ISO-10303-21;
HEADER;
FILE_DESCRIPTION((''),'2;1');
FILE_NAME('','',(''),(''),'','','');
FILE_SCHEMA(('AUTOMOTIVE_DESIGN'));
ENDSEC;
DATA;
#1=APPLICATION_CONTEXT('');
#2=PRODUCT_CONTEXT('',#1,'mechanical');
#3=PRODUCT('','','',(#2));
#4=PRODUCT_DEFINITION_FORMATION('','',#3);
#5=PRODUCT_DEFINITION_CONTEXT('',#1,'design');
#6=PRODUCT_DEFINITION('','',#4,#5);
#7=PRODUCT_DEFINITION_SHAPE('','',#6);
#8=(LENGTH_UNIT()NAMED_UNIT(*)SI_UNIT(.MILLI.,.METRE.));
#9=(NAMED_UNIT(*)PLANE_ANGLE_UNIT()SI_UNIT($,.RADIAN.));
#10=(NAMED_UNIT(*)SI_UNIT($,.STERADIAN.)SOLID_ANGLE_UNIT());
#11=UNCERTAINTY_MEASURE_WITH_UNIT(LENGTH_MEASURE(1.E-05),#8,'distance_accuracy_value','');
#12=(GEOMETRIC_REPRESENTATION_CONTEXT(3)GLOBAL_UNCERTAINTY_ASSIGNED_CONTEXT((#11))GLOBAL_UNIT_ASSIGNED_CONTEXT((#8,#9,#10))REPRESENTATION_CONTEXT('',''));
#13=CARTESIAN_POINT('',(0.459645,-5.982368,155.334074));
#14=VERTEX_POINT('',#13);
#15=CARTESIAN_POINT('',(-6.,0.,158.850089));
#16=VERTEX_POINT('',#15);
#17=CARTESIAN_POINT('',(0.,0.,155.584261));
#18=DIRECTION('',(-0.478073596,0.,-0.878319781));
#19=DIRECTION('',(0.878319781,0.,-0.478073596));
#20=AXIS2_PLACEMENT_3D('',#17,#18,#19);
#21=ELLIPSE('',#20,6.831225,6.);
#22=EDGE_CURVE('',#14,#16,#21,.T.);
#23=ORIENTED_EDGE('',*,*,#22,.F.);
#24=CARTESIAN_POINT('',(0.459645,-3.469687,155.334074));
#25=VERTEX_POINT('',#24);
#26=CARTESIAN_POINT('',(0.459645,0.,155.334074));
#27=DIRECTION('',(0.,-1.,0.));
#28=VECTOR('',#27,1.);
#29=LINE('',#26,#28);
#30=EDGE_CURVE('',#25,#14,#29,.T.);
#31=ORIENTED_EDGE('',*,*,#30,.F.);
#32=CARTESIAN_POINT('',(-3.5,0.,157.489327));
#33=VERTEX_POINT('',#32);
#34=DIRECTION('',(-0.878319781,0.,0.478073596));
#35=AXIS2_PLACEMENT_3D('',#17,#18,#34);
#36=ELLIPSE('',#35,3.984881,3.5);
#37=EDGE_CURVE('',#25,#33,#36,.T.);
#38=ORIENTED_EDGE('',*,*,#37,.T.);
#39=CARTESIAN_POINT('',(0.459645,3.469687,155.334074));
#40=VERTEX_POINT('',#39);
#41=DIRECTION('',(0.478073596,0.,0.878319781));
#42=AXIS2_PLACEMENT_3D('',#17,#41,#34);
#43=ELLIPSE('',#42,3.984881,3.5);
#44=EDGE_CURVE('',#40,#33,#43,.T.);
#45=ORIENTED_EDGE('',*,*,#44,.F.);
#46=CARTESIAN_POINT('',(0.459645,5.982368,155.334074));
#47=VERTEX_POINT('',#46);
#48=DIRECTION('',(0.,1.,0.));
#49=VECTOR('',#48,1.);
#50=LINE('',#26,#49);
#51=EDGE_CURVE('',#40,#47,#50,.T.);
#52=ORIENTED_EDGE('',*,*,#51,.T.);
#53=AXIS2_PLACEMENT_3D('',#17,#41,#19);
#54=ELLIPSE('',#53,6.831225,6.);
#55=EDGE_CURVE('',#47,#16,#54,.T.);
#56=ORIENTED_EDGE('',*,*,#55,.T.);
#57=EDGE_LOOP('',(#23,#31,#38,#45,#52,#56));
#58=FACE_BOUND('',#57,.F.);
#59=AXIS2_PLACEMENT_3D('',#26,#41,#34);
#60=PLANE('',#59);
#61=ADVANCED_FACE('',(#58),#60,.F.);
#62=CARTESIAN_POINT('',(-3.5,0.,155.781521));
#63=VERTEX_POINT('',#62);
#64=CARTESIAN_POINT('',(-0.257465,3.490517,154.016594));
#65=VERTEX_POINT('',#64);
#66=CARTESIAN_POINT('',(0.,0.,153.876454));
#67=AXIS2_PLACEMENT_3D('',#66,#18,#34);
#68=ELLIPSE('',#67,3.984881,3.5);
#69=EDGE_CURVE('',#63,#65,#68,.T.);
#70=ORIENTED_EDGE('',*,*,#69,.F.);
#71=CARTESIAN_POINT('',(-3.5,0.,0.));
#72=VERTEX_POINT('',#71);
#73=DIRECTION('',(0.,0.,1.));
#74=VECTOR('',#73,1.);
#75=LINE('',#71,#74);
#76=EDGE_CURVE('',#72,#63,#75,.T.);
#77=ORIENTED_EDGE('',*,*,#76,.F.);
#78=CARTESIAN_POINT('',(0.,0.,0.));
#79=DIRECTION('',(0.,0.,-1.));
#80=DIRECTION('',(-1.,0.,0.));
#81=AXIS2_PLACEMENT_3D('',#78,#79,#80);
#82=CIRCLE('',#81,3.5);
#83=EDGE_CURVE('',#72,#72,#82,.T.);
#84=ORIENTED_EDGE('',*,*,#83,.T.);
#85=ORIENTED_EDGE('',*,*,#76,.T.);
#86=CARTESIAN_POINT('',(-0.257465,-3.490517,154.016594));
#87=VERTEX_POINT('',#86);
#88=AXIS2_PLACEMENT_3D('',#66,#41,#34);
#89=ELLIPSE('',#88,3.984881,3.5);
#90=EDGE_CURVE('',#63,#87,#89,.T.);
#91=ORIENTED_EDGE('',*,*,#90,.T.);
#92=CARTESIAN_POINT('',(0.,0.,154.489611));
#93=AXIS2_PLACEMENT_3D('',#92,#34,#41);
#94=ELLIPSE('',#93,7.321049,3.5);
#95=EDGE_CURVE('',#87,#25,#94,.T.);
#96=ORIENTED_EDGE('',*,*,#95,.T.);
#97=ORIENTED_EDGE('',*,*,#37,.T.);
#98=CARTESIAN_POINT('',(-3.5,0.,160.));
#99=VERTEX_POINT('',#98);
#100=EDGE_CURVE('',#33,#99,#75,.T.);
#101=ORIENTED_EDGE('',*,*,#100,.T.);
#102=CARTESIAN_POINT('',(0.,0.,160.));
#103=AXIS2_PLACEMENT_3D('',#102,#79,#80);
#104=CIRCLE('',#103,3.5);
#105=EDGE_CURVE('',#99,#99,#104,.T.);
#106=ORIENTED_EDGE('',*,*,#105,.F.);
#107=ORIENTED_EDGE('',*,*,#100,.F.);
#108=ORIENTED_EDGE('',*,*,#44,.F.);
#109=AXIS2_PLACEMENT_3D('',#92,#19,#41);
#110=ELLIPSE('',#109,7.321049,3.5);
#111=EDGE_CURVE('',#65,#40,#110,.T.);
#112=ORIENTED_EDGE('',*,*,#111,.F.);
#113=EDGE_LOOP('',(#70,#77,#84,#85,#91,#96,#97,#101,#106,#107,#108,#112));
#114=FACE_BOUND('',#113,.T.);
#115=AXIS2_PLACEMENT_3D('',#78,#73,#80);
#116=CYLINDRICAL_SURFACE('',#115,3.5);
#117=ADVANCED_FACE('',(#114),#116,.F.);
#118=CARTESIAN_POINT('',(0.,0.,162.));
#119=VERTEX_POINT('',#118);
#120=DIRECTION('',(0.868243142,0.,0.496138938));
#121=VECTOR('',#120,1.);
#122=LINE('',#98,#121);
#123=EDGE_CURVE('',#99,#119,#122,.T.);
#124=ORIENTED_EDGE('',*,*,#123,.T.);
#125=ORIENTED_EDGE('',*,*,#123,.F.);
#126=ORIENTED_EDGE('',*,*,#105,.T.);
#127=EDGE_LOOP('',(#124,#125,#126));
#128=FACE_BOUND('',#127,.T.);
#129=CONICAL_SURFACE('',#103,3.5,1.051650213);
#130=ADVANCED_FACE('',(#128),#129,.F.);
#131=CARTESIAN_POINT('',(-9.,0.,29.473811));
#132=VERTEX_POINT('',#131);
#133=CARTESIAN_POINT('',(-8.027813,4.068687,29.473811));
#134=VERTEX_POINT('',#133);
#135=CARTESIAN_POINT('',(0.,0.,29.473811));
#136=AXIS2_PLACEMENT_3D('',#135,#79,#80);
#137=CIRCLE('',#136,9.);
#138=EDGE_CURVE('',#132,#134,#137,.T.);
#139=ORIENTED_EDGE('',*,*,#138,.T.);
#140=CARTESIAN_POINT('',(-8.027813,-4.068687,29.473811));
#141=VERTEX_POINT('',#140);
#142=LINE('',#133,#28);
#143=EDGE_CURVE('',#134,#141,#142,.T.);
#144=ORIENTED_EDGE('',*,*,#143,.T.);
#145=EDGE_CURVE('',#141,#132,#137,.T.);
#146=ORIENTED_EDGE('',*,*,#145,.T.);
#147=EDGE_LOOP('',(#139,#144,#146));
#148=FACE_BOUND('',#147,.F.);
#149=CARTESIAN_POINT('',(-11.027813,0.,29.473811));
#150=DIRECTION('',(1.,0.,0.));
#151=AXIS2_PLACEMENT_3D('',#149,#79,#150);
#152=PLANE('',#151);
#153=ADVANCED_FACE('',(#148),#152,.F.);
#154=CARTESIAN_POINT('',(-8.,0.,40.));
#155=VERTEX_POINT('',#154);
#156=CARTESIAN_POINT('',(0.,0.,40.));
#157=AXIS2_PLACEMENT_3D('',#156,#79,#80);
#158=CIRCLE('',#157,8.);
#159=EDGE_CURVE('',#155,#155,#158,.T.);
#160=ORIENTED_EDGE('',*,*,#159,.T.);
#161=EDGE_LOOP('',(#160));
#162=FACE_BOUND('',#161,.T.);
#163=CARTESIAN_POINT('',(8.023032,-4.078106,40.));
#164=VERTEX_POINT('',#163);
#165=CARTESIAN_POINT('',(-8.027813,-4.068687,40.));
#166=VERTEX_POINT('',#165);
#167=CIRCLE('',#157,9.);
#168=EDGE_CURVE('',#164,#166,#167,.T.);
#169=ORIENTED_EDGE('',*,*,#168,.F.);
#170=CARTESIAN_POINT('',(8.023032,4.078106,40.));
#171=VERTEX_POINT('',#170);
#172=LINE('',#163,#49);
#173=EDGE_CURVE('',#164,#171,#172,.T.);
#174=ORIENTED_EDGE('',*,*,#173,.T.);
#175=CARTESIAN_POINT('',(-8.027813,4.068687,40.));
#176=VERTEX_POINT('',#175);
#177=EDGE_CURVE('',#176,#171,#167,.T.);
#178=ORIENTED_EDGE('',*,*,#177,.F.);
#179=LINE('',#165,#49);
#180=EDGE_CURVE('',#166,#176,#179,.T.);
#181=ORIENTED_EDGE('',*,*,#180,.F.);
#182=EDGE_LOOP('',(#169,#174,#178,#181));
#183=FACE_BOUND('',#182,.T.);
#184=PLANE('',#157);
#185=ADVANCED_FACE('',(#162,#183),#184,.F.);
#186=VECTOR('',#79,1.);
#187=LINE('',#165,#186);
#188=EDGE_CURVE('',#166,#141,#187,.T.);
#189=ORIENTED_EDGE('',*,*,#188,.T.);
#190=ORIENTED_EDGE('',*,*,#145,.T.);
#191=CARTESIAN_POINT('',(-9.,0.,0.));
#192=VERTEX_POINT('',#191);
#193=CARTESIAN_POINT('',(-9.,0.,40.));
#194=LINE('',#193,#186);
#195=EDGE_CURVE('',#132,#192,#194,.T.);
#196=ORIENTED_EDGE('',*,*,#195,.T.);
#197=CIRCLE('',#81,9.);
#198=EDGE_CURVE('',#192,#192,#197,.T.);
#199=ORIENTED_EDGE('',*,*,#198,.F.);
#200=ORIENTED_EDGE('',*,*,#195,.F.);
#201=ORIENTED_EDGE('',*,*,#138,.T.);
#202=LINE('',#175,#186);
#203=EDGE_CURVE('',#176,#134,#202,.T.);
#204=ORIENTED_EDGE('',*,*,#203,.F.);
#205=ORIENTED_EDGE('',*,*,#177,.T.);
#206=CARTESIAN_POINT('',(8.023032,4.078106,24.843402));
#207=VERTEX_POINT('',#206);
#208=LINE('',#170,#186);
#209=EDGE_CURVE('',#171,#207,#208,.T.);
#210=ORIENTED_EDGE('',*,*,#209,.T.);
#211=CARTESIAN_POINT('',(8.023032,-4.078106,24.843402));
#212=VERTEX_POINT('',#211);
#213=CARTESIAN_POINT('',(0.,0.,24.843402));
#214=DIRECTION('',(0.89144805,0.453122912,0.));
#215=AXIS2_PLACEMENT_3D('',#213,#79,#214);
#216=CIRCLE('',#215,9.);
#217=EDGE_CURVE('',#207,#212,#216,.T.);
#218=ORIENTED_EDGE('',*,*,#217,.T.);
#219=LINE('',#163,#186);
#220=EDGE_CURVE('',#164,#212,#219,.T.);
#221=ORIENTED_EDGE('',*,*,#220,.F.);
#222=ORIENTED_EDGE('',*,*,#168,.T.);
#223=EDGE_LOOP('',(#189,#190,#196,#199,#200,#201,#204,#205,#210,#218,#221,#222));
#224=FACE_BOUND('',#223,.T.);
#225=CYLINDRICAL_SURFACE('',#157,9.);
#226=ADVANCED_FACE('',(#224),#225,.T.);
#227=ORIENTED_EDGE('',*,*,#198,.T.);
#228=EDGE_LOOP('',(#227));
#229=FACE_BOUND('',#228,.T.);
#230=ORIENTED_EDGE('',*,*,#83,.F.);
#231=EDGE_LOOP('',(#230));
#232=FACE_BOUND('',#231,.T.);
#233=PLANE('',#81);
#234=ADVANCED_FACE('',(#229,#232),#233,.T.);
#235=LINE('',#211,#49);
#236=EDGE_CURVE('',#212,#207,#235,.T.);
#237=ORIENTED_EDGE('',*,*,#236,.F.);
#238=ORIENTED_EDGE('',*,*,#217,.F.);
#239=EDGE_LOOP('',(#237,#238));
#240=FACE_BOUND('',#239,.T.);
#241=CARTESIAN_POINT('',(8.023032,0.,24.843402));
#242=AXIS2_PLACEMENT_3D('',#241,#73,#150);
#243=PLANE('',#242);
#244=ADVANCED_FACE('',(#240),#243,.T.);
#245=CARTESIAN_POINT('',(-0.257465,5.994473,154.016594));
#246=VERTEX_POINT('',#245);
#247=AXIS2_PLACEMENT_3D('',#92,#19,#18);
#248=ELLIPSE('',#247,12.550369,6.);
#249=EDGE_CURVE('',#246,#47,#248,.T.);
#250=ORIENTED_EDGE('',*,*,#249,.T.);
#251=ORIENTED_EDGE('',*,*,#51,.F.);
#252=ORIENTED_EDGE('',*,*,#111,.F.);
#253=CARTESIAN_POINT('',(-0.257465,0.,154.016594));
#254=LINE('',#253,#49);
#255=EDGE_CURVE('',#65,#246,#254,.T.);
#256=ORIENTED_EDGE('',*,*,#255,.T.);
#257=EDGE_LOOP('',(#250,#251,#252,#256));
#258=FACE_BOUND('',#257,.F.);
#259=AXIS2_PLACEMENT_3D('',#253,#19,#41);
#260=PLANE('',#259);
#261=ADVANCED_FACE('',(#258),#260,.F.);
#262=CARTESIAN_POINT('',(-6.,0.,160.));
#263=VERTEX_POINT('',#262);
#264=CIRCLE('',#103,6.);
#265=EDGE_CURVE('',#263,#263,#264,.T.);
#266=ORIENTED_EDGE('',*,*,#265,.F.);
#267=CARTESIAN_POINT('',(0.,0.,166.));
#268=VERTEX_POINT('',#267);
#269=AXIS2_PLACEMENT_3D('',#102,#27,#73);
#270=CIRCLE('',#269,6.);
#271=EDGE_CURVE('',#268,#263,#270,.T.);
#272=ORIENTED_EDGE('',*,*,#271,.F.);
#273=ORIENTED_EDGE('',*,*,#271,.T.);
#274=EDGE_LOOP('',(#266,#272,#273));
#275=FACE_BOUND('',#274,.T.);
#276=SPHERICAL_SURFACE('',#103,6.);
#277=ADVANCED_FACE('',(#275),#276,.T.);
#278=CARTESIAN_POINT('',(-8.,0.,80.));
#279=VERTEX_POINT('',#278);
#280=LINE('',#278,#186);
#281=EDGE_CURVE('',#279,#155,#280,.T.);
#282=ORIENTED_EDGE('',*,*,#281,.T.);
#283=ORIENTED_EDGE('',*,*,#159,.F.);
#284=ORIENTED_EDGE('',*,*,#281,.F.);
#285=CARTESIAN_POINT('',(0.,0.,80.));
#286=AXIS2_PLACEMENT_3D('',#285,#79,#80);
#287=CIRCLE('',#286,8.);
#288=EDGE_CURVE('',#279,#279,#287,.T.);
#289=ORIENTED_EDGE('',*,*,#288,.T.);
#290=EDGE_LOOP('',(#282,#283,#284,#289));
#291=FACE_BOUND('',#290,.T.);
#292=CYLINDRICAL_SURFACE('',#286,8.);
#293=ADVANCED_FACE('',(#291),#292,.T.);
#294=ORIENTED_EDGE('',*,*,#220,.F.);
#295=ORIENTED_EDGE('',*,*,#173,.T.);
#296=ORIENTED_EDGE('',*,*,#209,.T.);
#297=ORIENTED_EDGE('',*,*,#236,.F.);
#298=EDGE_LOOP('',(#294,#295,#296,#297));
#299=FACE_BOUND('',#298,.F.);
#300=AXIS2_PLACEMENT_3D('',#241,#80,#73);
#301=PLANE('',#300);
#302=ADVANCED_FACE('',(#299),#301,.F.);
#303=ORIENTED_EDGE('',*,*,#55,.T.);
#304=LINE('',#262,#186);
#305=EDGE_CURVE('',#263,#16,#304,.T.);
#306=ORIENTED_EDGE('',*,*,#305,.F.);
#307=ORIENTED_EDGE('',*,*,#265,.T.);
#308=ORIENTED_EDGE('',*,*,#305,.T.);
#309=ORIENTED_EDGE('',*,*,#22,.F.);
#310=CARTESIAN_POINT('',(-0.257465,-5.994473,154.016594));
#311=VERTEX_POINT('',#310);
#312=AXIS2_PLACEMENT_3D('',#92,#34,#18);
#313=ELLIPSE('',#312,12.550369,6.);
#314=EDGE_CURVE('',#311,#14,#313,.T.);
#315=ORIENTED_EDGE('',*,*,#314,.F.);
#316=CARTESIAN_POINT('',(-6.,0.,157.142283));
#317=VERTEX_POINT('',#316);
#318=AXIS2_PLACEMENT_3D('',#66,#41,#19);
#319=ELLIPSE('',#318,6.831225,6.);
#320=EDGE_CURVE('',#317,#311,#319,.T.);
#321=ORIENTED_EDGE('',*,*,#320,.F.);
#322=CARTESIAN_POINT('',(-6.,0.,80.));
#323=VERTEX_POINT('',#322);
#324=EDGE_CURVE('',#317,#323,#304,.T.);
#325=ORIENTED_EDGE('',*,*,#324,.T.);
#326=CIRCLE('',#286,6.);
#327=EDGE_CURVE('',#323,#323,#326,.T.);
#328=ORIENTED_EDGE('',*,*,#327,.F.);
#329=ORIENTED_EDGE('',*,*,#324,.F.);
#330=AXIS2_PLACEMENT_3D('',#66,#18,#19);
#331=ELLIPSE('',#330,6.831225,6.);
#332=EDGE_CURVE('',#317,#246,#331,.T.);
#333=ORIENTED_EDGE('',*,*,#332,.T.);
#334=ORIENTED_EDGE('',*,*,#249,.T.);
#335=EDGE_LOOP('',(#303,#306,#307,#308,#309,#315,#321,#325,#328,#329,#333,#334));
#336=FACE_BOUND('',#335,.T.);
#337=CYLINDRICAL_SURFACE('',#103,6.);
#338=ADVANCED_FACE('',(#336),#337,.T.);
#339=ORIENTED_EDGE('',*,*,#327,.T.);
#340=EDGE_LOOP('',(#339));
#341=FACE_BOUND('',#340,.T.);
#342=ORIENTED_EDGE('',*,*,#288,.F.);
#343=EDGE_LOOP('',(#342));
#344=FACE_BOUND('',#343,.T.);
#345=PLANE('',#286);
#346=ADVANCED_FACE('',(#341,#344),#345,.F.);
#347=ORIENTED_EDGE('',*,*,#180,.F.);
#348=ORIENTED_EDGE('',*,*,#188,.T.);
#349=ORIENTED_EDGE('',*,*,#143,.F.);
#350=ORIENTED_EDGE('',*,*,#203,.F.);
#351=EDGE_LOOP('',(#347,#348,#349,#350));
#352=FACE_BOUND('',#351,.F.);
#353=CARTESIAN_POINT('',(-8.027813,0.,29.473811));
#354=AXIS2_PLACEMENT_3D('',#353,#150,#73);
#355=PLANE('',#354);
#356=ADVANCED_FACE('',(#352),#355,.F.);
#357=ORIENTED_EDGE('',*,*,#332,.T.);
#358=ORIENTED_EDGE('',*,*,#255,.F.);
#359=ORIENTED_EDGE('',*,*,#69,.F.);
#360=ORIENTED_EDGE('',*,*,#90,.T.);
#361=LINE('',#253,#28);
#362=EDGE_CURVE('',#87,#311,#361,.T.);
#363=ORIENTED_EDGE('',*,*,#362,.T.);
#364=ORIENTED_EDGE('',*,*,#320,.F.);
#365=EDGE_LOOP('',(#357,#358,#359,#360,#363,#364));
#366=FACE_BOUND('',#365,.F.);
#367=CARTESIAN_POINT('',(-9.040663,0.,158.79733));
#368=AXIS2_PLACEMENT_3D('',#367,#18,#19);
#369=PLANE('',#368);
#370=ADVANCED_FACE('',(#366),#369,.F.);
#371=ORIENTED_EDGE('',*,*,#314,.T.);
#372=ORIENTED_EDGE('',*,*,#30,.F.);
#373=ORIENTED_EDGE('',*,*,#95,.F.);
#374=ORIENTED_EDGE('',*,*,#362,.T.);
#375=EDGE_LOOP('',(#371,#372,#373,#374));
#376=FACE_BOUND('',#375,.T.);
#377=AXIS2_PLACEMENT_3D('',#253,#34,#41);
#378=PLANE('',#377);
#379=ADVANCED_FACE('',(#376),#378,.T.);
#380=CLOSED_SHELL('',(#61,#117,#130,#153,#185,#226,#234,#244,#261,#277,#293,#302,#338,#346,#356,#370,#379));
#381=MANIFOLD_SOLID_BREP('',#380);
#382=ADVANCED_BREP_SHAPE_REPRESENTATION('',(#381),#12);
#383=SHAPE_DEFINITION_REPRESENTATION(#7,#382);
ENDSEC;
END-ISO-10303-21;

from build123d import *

# Parameters (mm, degrees)
F2_W          = 3
F2_H          = 11
F3_DEPTH      = 9.001
F3_DEPTH_BACK = 9.001
F4_W          = 3
F4_H          = 16
F5_DEPTH      = 9.001
F5_DEPTH_BACK = 9.001
F7_DEPTH      = 9.001
F7_DEPTH_BACK = 9.001


with BuildPart() as f1:
    # F0 (on Front) → F1 (revolve)
    with BuildSketch(Plane.XZ):
        with BuildLine():
            Line((-9, 0), (-3.5, 0))
            Line((-3.5, 0), (-3.5, 160))
            Line((-3.5, 160), (0, 162))
            Line((0, 162), (0, 166))
            ThreePointArc((0, 166), (-4.2426406871, 164.2426406871), (-6, 160))
            Line((-6, 160), (-6, 80))
            Line((-6, 80), (-8, 80))
            Line((-8, 80), (-8, 40))
            Line((-8, 40), (-9, 40))
            Line((-9, 40), (-9, 0))
        make_face()
    revolve(axis=Axis((0, 0, 83), (0, 0, -1)))

    # F2 (on Front) → F3 (cut, two sides)
    with BuildSketch(Plane.XZ) as f3_sk:
        with Locations((-9.5278133973, 34.973811388)):
            Rectangle(F2_W, F2_H)
    extrude(amount=-F3_DEPTH, mode=Mode.SUBTRACT)
    extrude(f3_sk.sketch, amount=F3_DEPTH_BACK, mode=Mode.SUBTRACT)

    # F4 (on Front) → F5 (cut, two sides)
    with BuildSketch(Plane.XZ) as f5_sk:
        with Locations((9.5230324529, 32.8434021473)):
            Rectangle(F4_W, F4_H)
    extrude(amount=-F5_DEPTH, mode=Mode.SUBTRACT)
    extrude(f5_sk.sketch, amount=F5_DEPTH_BACK, mode=Mode.SUBTRACT)

    # F6 (on Front) → F7 (cut, two sides)
    with BuildSketch(Plane.XZ) as f7_sk:
        Polygon((-8.3235528891, 160.1148097822), (-9.0406632825, 158.7973301111), (-0.2574654756, 154.0165941548), (0.4596449178, 155.3340738258), align=None)
    extrude(amount=F7_DEPTH, mode=Mode.SUBTRACT)
    extrude(f7_sk.sketch, amount=-F7_DEPTH_BACK, mode=Mode.SUBTRACT)


solid = f1.part
